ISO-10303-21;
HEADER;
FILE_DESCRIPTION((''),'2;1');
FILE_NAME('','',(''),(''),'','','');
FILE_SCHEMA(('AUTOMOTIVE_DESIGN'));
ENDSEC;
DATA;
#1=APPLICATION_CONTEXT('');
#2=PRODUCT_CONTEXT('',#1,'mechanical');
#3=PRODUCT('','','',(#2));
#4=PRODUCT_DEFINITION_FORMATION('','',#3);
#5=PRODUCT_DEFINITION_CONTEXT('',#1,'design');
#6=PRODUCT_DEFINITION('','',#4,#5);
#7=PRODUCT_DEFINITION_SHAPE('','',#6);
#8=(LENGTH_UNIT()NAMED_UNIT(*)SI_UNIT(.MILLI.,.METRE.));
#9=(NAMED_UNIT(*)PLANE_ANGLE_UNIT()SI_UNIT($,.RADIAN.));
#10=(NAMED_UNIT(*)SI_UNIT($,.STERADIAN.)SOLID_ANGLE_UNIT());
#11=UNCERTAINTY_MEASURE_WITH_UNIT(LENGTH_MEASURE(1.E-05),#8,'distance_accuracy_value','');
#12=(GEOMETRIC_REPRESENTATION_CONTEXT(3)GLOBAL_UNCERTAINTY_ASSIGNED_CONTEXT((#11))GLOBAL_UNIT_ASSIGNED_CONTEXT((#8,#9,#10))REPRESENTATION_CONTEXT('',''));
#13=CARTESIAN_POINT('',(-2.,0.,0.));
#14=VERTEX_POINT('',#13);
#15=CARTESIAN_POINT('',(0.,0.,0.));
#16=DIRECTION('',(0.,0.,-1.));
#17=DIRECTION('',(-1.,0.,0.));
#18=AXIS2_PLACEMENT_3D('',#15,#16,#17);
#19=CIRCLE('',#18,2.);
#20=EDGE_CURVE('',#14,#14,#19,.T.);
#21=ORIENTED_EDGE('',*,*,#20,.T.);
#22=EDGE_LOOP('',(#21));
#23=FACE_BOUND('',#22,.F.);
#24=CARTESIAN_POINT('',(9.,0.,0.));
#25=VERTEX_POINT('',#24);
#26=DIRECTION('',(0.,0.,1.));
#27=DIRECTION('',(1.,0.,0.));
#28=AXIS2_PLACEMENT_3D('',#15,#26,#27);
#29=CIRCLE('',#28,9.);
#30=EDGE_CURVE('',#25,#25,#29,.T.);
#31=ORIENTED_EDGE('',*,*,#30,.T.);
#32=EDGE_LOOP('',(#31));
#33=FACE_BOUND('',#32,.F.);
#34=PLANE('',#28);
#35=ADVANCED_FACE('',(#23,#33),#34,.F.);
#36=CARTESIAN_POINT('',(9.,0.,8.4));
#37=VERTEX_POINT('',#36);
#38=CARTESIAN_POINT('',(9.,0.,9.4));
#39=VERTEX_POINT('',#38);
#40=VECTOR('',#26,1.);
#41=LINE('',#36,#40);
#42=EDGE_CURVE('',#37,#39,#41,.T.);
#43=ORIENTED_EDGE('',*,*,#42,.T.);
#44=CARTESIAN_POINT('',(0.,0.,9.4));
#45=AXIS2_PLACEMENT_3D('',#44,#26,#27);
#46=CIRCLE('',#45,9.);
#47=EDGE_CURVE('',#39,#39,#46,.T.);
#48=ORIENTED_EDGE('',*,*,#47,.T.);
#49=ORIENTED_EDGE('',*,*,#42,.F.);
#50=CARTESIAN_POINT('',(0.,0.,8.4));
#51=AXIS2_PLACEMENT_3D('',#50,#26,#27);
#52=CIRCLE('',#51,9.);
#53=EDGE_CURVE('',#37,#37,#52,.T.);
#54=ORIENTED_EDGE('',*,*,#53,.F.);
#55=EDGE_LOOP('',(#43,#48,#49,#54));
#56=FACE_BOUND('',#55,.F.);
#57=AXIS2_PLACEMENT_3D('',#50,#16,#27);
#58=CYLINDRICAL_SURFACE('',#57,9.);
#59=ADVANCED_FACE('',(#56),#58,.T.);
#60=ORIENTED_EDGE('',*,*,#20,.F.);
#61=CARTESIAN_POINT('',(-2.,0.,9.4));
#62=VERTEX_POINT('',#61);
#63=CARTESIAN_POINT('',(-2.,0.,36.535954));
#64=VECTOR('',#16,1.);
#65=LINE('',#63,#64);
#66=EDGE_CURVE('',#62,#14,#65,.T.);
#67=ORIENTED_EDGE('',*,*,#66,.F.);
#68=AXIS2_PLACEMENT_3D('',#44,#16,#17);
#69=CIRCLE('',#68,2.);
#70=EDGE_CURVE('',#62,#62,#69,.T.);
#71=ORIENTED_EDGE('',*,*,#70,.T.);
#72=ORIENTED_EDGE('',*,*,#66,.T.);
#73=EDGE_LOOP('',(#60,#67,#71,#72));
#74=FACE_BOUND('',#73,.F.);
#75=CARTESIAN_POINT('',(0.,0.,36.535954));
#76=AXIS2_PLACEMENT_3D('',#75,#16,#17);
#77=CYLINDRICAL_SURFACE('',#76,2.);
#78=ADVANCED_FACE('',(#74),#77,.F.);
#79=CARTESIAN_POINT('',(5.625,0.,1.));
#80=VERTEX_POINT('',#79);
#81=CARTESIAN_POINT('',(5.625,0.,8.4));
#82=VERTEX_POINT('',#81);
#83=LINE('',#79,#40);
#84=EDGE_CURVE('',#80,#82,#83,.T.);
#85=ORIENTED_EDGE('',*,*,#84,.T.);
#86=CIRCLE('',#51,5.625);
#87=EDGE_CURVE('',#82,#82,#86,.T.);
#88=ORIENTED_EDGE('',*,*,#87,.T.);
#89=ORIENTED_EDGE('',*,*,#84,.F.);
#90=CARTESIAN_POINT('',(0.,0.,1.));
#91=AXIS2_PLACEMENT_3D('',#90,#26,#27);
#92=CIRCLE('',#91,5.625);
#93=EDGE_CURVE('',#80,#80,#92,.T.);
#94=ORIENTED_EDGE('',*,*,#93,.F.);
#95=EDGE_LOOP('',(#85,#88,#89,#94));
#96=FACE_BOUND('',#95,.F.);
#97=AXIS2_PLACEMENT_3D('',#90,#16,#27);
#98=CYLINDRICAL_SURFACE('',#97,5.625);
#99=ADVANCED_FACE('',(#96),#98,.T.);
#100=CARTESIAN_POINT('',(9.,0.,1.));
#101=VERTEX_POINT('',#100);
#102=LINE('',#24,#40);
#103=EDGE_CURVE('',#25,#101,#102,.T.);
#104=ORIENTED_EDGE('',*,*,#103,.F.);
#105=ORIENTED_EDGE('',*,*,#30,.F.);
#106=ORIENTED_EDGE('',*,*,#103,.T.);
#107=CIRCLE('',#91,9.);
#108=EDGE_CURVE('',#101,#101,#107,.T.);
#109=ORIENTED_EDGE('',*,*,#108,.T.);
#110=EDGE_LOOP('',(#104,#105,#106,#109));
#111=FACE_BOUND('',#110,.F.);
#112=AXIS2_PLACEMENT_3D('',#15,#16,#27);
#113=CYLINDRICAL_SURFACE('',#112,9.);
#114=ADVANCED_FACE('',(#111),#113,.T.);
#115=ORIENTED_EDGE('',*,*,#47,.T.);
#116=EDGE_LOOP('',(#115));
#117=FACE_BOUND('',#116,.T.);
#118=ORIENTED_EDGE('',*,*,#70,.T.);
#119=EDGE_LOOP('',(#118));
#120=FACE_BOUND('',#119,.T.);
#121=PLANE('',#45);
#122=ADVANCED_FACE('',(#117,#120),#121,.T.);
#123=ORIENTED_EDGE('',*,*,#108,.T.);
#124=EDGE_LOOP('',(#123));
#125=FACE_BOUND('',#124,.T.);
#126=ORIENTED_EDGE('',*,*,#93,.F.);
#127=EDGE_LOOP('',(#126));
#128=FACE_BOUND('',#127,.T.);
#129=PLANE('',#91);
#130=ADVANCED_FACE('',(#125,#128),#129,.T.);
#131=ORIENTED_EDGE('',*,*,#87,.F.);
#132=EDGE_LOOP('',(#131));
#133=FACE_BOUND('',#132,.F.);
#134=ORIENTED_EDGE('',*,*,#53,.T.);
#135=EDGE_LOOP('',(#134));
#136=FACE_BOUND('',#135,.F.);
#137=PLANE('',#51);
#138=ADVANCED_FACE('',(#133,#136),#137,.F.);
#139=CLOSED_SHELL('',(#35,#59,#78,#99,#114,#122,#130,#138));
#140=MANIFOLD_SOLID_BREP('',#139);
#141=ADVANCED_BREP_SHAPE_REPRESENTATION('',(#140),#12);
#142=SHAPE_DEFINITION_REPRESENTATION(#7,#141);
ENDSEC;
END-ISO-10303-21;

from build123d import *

# Parameters (mm, degrees)
F0_R     = 9
F1_DEPTH = 1
F2_R     = 5.625
F3_DEPTH = 7.4
F4_R     = 9
F5_DEPTH = 1
F7_D     = 4


with BuildPart() as f1:
    # F0 (on Top) → F1 (new body)
    with BuildSketch(Plane.XY):
        Circle(F0_R)
    extrude(amount=F1_DEPTH)

    # F2 (on face) → F3 (join)
    with BuildSketch(Plane.XY.offset(1)):
        Circle(F2_R)
    extrude(amount=F3_DEPTH)

    # F4 (on face) → F5 (join)
    with BuildSketch(Plane.XY.offset(8.4)):
        Circle(F4_R)
    extrude(amount=F5_DEPTH)

    # F7 (through all)
    with Locations(Plane.XY.offset(9.4)):
        with Locations((0, 0)):
            Hole(F7_D / 2)


solid = f1.part
